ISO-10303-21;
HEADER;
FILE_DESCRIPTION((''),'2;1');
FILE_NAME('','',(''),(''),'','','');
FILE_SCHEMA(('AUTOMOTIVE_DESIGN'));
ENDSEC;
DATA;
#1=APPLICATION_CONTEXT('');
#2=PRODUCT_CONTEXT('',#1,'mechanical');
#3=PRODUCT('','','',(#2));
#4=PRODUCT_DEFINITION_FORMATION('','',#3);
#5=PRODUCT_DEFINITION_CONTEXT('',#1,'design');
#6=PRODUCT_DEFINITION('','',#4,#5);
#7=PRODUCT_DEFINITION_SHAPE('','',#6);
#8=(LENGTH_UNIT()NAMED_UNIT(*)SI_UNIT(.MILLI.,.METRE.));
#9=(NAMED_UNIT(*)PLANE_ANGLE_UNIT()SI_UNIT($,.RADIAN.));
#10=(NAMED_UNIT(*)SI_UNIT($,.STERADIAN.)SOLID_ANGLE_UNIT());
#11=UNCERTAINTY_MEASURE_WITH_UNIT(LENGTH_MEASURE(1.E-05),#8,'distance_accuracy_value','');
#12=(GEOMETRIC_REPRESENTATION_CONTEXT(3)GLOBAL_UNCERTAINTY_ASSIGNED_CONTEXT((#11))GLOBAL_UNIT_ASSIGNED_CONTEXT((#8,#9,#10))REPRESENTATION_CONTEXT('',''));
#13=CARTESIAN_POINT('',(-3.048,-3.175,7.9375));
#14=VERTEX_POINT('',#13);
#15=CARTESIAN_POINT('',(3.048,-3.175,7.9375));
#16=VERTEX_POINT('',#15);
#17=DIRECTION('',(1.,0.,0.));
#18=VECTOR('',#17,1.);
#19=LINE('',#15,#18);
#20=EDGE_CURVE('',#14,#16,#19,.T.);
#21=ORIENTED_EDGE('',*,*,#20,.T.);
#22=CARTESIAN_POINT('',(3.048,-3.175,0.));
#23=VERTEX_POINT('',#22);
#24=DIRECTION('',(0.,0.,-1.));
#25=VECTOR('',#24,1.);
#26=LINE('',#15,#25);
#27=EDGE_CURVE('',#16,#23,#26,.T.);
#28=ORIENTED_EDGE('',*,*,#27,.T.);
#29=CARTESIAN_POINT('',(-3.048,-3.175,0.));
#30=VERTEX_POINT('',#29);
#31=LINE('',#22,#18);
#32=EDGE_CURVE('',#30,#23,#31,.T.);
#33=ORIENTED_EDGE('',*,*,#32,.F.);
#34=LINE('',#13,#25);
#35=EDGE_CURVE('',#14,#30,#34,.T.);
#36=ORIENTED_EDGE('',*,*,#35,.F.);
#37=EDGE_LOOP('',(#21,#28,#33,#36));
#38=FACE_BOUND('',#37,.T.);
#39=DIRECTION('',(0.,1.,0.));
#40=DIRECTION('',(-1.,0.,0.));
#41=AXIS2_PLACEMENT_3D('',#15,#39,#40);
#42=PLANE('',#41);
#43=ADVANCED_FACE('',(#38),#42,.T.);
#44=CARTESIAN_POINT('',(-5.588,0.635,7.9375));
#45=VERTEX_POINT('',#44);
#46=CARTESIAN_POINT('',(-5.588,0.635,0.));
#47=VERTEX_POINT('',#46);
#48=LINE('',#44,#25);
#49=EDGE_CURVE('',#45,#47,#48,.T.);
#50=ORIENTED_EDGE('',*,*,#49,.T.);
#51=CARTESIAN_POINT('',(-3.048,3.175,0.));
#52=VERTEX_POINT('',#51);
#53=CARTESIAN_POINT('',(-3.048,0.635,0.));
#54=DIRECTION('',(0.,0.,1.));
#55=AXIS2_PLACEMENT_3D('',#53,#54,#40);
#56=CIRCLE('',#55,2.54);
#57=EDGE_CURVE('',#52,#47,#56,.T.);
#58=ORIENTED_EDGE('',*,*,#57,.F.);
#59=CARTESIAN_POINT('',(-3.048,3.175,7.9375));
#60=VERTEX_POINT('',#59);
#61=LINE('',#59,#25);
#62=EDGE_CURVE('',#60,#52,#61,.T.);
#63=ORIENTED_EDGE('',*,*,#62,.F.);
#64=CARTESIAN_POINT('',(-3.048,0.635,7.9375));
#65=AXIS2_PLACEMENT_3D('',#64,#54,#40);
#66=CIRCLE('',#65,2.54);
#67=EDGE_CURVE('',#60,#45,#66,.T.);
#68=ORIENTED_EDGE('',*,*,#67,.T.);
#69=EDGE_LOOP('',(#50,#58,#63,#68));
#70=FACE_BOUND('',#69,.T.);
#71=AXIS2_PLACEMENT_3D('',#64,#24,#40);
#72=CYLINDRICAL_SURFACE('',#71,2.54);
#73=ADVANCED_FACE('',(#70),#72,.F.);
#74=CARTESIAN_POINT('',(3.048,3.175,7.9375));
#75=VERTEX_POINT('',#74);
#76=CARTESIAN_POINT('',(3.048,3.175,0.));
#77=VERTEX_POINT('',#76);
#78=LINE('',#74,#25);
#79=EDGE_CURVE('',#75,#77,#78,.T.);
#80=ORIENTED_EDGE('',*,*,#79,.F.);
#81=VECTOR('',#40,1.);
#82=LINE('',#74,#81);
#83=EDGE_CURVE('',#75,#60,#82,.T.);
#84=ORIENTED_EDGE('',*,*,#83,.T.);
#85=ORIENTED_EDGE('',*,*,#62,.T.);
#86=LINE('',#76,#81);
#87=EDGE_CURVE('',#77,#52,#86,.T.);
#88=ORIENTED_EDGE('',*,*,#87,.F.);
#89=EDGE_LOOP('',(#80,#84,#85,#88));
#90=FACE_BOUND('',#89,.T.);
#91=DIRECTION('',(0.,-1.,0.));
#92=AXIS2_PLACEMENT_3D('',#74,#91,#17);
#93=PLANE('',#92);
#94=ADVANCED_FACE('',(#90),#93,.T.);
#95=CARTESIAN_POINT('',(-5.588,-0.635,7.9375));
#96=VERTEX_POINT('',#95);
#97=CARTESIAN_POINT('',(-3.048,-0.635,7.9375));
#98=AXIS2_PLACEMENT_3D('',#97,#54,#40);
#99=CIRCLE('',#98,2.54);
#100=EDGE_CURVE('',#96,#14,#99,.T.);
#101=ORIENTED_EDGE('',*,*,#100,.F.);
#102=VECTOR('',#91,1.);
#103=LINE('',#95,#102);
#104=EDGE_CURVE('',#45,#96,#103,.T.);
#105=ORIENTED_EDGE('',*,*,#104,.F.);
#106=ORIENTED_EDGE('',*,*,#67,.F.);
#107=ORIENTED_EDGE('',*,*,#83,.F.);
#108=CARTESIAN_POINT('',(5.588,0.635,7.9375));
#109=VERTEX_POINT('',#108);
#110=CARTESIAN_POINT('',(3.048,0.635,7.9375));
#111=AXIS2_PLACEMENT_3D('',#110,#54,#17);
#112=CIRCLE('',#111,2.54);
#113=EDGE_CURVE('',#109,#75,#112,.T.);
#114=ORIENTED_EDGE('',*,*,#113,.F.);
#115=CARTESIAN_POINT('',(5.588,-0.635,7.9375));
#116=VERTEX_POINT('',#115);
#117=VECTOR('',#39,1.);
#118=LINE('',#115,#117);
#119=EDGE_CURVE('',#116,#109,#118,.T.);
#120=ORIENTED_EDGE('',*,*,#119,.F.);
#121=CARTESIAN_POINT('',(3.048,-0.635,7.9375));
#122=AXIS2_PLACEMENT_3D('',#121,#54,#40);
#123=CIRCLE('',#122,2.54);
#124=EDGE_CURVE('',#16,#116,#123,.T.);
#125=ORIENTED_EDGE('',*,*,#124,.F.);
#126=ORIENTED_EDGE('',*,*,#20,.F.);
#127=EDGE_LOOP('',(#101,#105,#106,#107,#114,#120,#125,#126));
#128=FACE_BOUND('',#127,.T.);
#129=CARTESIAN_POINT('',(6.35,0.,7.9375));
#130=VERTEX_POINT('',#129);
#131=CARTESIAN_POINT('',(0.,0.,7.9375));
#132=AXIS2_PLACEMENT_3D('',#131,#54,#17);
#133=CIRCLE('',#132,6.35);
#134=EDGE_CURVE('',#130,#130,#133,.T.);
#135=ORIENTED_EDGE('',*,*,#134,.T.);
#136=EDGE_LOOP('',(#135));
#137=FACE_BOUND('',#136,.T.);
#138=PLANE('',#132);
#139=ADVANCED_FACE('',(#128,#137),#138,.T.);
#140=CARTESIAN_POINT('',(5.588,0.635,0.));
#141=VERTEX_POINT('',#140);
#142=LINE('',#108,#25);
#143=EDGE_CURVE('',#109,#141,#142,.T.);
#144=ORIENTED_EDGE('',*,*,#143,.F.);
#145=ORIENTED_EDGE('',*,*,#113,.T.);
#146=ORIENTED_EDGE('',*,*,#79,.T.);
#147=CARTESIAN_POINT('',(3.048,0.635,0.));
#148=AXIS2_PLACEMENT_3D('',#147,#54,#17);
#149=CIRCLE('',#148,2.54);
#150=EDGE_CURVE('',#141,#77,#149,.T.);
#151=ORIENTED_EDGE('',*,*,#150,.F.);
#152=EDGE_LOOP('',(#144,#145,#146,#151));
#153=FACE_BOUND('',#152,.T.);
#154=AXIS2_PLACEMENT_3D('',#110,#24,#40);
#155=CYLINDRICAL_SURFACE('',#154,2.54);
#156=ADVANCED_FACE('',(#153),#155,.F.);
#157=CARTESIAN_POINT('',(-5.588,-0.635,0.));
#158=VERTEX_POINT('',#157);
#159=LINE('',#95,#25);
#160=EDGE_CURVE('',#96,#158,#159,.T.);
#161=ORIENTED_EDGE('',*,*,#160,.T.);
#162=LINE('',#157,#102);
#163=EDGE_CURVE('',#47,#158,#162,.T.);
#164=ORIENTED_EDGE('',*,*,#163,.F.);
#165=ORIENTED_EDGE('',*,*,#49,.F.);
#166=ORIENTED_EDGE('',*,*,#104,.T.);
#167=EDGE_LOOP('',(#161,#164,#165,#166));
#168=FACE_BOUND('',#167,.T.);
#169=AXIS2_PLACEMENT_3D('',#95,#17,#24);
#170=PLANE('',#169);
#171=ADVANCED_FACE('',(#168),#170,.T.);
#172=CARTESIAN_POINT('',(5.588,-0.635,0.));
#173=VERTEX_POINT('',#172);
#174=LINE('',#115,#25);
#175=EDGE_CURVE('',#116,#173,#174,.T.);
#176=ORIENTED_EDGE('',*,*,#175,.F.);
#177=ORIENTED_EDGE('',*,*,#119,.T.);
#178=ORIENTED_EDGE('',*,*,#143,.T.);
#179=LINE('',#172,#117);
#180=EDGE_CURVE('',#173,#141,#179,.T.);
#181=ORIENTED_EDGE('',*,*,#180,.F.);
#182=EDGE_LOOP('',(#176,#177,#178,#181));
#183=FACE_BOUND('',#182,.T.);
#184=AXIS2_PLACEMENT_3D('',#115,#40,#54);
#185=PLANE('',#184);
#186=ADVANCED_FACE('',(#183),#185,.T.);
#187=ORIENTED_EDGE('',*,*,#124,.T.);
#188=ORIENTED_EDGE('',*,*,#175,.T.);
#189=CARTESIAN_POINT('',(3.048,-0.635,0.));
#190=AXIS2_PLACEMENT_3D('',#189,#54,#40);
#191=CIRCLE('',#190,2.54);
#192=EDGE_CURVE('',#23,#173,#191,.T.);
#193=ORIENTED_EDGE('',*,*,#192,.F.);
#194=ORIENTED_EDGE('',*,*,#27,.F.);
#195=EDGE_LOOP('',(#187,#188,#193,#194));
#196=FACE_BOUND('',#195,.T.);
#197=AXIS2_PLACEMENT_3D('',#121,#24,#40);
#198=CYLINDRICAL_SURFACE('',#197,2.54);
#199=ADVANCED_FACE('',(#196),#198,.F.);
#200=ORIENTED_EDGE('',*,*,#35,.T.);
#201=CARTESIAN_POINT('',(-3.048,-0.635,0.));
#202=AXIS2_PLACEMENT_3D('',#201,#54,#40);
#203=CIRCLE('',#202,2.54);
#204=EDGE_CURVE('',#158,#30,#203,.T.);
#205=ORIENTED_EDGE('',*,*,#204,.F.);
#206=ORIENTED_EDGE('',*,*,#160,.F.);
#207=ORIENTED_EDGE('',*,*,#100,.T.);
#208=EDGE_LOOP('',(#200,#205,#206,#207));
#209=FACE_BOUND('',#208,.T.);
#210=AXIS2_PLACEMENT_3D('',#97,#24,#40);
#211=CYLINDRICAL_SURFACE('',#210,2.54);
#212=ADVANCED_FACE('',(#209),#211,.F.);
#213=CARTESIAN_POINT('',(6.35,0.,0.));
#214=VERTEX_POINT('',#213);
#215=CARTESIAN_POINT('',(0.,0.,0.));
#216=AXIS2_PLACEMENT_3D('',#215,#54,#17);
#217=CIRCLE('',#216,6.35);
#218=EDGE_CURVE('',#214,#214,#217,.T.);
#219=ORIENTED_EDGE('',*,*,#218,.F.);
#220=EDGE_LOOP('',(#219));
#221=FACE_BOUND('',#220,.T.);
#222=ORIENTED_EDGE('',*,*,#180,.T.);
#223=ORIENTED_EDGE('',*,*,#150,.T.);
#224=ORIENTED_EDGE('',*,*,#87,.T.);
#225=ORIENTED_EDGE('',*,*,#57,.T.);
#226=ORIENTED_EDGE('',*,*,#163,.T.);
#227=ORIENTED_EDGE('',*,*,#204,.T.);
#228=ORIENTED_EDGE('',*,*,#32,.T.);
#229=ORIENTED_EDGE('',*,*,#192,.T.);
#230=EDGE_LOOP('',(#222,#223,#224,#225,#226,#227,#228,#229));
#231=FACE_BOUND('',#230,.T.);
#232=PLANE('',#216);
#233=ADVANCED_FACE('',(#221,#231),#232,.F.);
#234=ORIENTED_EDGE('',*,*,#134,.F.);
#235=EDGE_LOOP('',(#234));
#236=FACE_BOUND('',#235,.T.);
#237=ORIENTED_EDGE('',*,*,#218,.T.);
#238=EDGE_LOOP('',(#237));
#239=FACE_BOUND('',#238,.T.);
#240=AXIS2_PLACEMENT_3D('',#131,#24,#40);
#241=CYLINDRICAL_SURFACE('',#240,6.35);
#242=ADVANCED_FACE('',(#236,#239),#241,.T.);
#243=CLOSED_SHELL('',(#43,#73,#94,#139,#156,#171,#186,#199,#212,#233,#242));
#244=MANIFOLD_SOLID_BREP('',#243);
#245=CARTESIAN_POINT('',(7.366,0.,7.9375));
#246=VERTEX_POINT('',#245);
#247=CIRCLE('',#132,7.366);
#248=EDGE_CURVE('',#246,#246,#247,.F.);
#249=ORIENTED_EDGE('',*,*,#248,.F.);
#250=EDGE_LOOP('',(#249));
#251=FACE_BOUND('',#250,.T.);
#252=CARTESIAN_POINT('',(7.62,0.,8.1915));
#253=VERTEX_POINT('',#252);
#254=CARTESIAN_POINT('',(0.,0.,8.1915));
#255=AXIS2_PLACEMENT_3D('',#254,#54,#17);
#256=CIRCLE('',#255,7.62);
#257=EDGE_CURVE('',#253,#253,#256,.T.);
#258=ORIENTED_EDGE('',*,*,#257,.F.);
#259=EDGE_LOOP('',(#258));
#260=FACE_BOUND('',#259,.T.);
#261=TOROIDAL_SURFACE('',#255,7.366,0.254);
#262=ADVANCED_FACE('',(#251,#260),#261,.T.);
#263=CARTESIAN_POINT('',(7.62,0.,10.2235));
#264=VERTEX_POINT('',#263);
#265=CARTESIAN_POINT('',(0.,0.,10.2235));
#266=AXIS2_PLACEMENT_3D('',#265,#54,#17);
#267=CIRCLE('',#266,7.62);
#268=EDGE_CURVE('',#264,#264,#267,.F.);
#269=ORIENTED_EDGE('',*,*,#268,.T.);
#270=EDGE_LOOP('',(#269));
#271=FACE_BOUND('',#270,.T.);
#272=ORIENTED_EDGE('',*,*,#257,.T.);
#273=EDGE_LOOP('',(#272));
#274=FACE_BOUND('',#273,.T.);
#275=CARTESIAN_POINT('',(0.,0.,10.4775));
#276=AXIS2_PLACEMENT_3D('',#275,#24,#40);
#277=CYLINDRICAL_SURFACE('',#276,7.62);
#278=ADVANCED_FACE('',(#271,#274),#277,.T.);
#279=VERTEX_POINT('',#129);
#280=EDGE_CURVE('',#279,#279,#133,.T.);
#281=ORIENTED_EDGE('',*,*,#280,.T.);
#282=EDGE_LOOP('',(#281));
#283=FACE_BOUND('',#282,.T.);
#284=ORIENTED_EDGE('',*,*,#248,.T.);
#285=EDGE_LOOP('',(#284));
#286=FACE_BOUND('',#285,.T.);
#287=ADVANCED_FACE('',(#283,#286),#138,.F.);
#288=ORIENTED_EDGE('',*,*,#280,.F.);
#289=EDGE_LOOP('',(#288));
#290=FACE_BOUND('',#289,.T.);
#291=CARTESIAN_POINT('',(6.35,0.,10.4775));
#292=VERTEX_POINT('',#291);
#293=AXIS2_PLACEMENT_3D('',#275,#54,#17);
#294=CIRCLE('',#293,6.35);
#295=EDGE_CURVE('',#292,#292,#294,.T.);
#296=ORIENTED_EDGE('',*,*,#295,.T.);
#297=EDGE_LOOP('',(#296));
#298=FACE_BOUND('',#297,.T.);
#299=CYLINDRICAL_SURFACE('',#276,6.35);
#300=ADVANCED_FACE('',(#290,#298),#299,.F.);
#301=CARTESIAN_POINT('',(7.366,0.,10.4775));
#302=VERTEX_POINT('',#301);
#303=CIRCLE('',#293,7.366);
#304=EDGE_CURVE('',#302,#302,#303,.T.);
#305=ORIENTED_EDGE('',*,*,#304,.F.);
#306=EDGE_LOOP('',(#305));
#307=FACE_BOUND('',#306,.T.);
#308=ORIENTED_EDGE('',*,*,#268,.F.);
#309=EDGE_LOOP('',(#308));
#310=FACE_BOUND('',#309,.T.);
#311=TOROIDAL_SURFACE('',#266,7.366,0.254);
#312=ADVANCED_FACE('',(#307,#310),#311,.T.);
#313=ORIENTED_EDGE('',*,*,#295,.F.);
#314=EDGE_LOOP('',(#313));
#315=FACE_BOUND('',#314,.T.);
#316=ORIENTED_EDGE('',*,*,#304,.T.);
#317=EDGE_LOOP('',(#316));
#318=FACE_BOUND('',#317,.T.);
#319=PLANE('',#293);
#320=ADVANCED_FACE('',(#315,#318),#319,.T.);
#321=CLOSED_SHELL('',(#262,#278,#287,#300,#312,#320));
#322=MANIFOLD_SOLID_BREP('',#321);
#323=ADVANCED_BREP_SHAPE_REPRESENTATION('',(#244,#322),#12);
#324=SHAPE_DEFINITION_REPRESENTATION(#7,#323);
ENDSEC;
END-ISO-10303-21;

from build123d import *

# Parameters (mm, degrees)
SKETCH1_R           = 6.35
BOSS_EXTRUDE1_DEPTH = 7.9375
SKETCH2_R           = 7.62
SKETCH2_R_2         = 6.35
BOSS_EXTRUDE2_DEPTH = 2.54
FILLET1_R           = 0.254


with BuildPart() as part:
    # Sketch1 → Boss-Extrude1 (new body)
    with BuildSketch(Plane.XY):
        Circle(SKETCH1_R)
        with BuildLine():
            Line((3.048, -3.175), (-3.048, -3.175))
            ThreePointArc((-3.048, -3.175), (-4.844051224, -2.431051224), (-5.588, -0.635))
            Line((-5.588, -0.635), (-5.588, 0.635))
            ThreePointArc((-5.588, 0.635), (-4.844051224, 2.431051224), (-3.048, 3.175))
            Line((-3.048, 3.175), (3.048, 3.175))
            ThreePointArc((3.048, 3.175), (4.844051224, 2.431051224), (5.588, 0.635))
            Line((5.588, 0.635), (5.588, -0.635))
            ThreePointArc((5.588, -0.635), (4.844051224, -2.431051224), (3.048, -3.175))
        make_face(mode=Mode.SUBTRACT)
    extrude(amount=BOSS_EXTRUDE1_DEPTH)


with BuildPart() as body_2:
    # Sketch2 → Boss-Extrude2 (new body)
    with BuildSketch(Plane.XY.offset(7.9375)):
        Circle(SKETCH2_R)
        Circle(SKETCH2_R_2, mode=Mode.SUBTRACT)
    extrude(amount=BOSS_EXTRUDE2_DEPTH)

    # Fillet1
    fillet1_edges = [body_2.edges().sort_by_distance(p)[0] for p in [
        (-7.62, 0, 7.9375),
        (-7.62, 0, 10.4775),
    ]]
    fillet(fillet1_edges, radius=FILLET1_R)


solid = Compound([part.part, body_2.part])
